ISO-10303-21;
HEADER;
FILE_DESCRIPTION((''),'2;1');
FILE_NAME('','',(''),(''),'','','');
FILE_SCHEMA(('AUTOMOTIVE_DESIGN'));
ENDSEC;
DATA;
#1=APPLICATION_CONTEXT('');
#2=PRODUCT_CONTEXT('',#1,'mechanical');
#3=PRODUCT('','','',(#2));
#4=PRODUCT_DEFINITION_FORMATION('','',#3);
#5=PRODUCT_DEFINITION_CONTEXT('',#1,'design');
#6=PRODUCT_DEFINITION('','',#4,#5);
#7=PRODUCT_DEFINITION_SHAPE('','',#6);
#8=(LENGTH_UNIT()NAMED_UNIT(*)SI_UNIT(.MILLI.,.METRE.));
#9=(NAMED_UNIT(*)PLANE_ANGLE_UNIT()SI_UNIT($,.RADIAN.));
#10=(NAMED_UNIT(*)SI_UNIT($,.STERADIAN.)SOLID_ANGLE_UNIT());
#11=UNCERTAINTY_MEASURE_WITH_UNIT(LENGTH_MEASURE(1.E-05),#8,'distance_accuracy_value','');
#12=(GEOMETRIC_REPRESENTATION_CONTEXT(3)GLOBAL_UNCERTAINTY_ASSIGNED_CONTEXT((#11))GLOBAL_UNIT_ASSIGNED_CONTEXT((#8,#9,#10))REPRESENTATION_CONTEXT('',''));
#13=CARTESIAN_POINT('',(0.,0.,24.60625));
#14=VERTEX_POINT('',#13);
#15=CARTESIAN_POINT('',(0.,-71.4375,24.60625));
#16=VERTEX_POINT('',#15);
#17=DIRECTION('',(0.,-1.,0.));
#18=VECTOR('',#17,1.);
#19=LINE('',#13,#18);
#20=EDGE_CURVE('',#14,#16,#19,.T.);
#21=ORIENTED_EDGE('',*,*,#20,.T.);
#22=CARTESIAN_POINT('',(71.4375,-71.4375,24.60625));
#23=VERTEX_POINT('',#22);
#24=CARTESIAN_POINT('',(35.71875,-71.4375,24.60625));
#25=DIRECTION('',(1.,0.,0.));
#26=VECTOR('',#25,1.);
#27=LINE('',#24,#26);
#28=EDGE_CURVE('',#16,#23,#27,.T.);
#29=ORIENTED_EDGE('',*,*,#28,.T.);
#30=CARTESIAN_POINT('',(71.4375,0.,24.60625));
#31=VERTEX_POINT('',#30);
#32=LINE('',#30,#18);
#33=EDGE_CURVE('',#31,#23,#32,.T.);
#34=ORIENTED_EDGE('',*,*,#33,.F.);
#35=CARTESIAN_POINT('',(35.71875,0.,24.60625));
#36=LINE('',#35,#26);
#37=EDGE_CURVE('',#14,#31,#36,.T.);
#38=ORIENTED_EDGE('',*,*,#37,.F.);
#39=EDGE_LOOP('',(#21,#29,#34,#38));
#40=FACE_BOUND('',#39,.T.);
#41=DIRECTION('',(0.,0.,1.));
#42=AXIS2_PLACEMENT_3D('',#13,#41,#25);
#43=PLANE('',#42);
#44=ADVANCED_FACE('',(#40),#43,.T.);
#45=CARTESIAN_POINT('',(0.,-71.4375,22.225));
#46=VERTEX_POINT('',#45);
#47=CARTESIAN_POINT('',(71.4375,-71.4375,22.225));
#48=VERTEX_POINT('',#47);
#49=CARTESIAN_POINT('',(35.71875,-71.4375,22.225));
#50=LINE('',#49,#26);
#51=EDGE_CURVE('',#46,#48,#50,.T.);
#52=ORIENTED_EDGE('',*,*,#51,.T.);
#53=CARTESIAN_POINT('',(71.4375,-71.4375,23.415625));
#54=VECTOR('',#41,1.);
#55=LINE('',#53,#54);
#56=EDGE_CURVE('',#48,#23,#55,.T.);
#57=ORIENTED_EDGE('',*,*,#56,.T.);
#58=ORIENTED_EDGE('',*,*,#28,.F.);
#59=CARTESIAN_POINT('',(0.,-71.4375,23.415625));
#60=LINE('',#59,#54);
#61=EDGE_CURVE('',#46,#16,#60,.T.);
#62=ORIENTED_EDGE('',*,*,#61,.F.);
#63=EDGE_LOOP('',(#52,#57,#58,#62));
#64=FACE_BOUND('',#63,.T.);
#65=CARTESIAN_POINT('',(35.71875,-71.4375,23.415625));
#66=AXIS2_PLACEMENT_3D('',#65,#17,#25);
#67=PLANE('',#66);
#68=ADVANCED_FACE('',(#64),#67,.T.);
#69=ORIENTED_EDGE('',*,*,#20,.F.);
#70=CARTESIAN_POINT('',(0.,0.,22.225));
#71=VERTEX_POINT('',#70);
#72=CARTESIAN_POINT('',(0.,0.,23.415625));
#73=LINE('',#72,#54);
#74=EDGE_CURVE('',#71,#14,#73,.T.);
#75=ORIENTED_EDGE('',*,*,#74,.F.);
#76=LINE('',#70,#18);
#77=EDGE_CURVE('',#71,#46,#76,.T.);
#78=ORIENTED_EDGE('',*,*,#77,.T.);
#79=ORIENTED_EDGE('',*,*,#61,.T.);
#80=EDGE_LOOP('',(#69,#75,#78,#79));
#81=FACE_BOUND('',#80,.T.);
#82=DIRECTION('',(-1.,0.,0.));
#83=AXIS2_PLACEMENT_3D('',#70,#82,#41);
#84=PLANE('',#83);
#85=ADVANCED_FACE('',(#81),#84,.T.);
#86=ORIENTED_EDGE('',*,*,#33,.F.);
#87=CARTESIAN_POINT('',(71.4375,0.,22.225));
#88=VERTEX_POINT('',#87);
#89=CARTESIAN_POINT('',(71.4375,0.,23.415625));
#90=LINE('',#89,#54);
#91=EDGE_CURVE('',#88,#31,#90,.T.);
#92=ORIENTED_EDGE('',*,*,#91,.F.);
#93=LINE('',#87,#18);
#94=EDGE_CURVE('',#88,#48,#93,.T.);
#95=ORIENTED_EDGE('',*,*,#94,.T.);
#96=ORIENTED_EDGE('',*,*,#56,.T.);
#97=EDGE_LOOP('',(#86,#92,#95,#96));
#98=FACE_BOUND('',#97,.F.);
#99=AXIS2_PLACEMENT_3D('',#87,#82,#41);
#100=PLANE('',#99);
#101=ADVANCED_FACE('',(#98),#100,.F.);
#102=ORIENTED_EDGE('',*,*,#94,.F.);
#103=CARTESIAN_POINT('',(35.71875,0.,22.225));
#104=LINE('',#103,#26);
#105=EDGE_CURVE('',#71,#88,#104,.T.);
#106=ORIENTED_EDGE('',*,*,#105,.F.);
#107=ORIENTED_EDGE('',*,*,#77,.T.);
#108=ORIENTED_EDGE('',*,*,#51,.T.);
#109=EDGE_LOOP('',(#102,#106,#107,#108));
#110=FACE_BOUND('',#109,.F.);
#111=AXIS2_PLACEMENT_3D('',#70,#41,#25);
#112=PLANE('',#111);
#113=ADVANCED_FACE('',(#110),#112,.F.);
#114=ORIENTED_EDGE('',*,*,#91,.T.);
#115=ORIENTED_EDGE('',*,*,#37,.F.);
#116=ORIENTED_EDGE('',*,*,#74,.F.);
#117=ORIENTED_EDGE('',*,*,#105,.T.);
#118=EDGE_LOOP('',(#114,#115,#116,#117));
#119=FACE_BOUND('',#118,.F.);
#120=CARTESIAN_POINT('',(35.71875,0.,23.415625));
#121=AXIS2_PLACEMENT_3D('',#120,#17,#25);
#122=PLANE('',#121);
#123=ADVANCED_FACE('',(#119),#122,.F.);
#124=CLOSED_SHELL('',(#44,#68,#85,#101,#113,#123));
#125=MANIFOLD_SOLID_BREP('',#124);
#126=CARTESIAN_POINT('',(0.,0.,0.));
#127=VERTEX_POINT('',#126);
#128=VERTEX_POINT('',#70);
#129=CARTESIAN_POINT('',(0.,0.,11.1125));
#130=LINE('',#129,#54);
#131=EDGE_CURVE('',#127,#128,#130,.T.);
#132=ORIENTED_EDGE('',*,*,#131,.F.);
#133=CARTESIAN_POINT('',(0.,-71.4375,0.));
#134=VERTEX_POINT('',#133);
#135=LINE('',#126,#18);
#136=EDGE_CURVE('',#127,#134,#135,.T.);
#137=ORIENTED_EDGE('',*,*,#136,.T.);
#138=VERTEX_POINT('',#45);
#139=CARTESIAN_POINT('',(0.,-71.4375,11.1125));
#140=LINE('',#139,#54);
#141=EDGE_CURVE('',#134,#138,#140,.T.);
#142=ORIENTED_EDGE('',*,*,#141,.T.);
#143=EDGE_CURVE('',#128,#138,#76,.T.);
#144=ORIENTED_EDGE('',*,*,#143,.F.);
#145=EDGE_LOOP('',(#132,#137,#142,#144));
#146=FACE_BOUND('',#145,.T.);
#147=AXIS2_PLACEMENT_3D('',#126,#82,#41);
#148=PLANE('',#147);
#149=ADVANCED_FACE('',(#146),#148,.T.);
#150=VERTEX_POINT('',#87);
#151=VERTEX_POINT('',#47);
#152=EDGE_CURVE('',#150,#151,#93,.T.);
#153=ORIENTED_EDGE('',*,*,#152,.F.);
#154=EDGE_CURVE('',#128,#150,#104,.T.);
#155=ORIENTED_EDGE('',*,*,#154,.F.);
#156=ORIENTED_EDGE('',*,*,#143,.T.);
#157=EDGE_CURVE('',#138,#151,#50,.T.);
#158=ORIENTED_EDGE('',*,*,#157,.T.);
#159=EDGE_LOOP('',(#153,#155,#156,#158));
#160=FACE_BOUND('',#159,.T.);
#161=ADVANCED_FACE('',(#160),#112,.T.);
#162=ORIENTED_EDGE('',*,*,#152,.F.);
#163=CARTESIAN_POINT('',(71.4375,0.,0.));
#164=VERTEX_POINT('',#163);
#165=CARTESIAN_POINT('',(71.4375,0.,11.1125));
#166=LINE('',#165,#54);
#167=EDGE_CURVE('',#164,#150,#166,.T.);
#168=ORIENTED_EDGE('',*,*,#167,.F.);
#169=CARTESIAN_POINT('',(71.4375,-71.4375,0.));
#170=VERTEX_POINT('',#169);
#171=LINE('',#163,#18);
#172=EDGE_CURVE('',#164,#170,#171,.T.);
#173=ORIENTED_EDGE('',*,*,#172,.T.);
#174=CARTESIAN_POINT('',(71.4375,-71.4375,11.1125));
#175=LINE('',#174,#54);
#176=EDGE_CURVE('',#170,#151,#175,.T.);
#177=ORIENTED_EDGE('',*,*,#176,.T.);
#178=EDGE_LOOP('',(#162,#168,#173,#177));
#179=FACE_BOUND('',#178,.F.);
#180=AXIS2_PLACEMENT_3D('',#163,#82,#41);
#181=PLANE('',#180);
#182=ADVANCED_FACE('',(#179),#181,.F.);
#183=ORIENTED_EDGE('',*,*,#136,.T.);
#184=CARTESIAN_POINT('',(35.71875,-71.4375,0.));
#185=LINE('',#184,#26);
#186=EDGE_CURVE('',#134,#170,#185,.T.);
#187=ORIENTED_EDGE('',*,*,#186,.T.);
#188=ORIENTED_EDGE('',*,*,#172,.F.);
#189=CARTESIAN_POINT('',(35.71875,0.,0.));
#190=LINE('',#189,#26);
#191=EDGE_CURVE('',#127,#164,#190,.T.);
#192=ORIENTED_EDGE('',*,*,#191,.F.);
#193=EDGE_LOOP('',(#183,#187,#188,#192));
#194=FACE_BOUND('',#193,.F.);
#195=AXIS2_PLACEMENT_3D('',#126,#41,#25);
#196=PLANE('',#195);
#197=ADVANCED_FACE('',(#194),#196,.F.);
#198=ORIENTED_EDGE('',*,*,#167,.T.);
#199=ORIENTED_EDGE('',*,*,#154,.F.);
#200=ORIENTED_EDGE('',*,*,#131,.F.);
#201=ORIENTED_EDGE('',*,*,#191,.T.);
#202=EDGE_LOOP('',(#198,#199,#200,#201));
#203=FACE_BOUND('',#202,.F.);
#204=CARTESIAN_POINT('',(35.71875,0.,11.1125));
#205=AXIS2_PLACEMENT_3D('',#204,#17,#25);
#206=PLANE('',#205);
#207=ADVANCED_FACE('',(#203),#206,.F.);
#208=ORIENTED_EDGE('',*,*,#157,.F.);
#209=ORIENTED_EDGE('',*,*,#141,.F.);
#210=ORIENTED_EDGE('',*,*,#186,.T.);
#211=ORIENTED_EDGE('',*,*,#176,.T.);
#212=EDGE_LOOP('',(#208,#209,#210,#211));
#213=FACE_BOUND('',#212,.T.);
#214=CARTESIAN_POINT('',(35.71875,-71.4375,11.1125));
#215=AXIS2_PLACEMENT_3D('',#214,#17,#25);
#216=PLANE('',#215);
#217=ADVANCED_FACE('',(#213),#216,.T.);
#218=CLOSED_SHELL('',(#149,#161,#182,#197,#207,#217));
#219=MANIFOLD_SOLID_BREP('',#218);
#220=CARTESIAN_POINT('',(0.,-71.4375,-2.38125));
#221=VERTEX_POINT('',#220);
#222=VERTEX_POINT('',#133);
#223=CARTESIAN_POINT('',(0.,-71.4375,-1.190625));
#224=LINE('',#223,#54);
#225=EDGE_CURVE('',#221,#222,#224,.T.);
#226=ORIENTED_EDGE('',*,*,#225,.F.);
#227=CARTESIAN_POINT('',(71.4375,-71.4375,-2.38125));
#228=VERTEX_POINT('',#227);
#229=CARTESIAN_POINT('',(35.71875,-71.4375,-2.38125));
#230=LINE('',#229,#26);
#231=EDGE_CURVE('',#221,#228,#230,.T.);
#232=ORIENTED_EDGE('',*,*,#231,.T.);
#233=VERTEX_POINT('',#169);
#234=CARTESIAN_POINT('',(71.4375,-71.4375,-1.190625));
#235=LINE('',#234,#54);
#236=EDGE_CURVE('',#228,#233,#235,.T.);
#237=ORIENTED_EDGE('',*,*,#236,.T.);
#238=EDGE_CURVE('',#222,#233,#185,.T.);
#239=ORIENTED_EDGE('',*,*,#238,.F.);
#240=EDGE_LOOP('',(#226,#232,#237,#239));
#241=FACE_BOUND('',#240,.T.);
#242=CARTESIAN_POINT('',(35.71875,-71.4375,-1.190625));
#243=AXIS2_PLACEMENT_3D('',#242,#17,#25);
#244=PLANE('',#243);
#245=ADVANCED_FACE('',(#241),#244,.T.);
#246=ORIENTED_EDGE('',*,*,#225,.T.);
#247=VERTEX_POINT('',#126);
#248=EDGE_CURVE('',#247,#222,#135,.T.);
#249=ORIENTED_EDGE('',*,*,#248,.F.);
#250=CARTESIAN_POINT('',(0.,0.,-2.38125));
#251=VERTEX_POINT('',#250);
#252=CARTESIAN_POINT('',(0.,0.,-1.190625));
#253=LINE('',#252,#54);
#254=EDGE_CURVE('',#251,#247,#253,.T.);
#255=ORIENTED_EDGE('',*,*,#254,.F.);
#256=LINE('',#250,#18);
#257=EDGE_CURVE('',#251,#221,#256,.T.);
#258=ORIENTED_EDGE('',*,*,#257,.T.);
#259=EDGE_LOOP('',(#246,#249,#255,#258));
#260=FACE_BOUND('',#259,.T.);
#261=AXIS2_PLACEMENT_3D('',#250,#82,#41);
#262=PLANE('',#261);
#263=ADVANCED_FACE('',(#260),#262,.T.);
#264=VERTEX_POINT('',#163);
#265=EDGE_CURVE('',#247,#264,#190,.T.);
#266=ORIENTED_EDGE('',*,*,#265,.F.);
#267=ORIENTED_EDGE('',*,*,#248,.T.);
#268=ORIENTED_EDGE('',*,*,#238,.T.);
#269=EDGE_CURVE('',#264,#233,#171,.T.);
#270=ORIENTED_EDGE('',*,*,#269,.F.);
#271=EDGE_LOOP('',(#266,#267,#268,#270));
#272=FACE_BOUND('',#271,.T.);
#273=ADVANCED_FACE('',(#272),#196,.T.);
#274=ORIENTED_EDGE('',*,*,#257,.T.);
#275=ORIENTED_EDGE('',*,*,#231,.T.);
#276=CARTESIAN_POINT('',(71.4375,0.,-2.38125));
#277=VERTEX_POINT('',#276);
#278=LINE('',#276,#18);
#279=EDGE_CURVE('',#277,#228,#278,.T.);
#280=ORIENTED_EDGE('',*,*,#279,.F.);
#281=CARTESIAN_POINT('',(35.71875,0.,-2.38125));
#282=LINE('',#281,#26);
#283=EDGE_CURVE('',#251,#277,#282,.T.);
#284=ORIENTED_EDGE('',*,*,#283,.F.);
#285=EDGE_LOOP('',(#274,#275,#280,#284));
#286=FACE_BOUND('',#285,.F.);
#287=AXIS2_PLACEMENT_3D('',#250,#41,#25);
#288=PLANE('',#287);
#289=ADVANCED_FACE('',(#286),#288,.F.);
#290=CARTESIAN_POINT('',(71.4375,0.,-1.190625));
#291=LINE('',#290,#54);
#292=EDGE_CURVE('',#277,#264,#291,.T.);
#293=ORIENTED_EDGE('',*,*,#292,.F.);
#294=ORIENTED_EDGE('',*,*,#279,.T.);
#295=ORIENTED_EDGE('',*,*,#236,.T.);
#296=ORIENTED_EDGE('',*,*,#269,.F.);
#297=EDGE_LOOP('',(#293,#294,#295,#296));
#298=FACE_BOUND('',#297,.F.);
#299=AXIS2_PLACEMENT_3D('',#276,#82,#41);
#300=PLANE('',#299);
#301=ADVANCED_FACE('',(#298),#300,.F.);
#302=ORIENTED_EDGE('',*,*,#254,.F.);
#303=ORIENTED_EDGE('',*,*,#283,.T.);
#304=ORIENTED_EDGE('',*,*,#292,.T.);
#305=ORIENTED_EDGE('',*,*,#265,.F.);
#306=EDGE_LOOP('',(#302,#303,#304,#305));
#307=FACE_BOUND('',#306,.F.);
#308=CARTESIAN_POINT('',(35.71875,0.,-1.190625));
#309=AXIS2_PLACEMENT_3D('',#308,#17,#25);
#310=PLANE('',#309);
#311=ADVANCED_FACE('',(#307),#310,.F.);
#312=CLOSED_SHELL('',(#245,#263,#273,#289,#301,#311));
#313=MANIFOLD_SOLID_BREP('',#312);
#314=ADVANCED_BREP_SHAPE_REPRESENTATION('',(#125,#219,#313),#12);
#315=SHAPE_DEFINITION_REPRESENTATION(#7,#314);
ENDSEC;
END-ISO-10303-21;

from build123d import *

# Parameters (mm, degrees)
F0_W     = 71.4375
F0_H     = 22.225
F1_DEPTH = 71.4375
F2_W     = 71.4375
F2_H     = 2.38125
F3_DEPTH = 71.4375
F4_DEPTH = 71.4375


with BuildPart() as f1:
    # F0 (on Front) → F1 (new body)
    with BuildSketch(Plane.XZ):
        with Locations((35.71875, 11.1125)):
            Rectangle(F0_W, F0_H)
    extrude(amount=F1_DEPTH)


with BuildPart() as f3:
    # F2 (on Front) → F3 (new body)
    with BuildSketch(Plane.XZ):
        with Locations((35.71875, 23.415625)):
            Rectangle(F2_W, F2_H)
    extrude(amount=F3_DEPTH)


with BuildPart() as f4:
    # F2 (on Front) → F4 (new body)
    with BuildSketch(Plane.XZ):
        with Locations((35.71875, -1.190625)):
            Rectangle(F2_W, F2_H)
    extrude(amount=F4_DEPTH)


solid = Compound([f1.part, f3.part, f4.part])
